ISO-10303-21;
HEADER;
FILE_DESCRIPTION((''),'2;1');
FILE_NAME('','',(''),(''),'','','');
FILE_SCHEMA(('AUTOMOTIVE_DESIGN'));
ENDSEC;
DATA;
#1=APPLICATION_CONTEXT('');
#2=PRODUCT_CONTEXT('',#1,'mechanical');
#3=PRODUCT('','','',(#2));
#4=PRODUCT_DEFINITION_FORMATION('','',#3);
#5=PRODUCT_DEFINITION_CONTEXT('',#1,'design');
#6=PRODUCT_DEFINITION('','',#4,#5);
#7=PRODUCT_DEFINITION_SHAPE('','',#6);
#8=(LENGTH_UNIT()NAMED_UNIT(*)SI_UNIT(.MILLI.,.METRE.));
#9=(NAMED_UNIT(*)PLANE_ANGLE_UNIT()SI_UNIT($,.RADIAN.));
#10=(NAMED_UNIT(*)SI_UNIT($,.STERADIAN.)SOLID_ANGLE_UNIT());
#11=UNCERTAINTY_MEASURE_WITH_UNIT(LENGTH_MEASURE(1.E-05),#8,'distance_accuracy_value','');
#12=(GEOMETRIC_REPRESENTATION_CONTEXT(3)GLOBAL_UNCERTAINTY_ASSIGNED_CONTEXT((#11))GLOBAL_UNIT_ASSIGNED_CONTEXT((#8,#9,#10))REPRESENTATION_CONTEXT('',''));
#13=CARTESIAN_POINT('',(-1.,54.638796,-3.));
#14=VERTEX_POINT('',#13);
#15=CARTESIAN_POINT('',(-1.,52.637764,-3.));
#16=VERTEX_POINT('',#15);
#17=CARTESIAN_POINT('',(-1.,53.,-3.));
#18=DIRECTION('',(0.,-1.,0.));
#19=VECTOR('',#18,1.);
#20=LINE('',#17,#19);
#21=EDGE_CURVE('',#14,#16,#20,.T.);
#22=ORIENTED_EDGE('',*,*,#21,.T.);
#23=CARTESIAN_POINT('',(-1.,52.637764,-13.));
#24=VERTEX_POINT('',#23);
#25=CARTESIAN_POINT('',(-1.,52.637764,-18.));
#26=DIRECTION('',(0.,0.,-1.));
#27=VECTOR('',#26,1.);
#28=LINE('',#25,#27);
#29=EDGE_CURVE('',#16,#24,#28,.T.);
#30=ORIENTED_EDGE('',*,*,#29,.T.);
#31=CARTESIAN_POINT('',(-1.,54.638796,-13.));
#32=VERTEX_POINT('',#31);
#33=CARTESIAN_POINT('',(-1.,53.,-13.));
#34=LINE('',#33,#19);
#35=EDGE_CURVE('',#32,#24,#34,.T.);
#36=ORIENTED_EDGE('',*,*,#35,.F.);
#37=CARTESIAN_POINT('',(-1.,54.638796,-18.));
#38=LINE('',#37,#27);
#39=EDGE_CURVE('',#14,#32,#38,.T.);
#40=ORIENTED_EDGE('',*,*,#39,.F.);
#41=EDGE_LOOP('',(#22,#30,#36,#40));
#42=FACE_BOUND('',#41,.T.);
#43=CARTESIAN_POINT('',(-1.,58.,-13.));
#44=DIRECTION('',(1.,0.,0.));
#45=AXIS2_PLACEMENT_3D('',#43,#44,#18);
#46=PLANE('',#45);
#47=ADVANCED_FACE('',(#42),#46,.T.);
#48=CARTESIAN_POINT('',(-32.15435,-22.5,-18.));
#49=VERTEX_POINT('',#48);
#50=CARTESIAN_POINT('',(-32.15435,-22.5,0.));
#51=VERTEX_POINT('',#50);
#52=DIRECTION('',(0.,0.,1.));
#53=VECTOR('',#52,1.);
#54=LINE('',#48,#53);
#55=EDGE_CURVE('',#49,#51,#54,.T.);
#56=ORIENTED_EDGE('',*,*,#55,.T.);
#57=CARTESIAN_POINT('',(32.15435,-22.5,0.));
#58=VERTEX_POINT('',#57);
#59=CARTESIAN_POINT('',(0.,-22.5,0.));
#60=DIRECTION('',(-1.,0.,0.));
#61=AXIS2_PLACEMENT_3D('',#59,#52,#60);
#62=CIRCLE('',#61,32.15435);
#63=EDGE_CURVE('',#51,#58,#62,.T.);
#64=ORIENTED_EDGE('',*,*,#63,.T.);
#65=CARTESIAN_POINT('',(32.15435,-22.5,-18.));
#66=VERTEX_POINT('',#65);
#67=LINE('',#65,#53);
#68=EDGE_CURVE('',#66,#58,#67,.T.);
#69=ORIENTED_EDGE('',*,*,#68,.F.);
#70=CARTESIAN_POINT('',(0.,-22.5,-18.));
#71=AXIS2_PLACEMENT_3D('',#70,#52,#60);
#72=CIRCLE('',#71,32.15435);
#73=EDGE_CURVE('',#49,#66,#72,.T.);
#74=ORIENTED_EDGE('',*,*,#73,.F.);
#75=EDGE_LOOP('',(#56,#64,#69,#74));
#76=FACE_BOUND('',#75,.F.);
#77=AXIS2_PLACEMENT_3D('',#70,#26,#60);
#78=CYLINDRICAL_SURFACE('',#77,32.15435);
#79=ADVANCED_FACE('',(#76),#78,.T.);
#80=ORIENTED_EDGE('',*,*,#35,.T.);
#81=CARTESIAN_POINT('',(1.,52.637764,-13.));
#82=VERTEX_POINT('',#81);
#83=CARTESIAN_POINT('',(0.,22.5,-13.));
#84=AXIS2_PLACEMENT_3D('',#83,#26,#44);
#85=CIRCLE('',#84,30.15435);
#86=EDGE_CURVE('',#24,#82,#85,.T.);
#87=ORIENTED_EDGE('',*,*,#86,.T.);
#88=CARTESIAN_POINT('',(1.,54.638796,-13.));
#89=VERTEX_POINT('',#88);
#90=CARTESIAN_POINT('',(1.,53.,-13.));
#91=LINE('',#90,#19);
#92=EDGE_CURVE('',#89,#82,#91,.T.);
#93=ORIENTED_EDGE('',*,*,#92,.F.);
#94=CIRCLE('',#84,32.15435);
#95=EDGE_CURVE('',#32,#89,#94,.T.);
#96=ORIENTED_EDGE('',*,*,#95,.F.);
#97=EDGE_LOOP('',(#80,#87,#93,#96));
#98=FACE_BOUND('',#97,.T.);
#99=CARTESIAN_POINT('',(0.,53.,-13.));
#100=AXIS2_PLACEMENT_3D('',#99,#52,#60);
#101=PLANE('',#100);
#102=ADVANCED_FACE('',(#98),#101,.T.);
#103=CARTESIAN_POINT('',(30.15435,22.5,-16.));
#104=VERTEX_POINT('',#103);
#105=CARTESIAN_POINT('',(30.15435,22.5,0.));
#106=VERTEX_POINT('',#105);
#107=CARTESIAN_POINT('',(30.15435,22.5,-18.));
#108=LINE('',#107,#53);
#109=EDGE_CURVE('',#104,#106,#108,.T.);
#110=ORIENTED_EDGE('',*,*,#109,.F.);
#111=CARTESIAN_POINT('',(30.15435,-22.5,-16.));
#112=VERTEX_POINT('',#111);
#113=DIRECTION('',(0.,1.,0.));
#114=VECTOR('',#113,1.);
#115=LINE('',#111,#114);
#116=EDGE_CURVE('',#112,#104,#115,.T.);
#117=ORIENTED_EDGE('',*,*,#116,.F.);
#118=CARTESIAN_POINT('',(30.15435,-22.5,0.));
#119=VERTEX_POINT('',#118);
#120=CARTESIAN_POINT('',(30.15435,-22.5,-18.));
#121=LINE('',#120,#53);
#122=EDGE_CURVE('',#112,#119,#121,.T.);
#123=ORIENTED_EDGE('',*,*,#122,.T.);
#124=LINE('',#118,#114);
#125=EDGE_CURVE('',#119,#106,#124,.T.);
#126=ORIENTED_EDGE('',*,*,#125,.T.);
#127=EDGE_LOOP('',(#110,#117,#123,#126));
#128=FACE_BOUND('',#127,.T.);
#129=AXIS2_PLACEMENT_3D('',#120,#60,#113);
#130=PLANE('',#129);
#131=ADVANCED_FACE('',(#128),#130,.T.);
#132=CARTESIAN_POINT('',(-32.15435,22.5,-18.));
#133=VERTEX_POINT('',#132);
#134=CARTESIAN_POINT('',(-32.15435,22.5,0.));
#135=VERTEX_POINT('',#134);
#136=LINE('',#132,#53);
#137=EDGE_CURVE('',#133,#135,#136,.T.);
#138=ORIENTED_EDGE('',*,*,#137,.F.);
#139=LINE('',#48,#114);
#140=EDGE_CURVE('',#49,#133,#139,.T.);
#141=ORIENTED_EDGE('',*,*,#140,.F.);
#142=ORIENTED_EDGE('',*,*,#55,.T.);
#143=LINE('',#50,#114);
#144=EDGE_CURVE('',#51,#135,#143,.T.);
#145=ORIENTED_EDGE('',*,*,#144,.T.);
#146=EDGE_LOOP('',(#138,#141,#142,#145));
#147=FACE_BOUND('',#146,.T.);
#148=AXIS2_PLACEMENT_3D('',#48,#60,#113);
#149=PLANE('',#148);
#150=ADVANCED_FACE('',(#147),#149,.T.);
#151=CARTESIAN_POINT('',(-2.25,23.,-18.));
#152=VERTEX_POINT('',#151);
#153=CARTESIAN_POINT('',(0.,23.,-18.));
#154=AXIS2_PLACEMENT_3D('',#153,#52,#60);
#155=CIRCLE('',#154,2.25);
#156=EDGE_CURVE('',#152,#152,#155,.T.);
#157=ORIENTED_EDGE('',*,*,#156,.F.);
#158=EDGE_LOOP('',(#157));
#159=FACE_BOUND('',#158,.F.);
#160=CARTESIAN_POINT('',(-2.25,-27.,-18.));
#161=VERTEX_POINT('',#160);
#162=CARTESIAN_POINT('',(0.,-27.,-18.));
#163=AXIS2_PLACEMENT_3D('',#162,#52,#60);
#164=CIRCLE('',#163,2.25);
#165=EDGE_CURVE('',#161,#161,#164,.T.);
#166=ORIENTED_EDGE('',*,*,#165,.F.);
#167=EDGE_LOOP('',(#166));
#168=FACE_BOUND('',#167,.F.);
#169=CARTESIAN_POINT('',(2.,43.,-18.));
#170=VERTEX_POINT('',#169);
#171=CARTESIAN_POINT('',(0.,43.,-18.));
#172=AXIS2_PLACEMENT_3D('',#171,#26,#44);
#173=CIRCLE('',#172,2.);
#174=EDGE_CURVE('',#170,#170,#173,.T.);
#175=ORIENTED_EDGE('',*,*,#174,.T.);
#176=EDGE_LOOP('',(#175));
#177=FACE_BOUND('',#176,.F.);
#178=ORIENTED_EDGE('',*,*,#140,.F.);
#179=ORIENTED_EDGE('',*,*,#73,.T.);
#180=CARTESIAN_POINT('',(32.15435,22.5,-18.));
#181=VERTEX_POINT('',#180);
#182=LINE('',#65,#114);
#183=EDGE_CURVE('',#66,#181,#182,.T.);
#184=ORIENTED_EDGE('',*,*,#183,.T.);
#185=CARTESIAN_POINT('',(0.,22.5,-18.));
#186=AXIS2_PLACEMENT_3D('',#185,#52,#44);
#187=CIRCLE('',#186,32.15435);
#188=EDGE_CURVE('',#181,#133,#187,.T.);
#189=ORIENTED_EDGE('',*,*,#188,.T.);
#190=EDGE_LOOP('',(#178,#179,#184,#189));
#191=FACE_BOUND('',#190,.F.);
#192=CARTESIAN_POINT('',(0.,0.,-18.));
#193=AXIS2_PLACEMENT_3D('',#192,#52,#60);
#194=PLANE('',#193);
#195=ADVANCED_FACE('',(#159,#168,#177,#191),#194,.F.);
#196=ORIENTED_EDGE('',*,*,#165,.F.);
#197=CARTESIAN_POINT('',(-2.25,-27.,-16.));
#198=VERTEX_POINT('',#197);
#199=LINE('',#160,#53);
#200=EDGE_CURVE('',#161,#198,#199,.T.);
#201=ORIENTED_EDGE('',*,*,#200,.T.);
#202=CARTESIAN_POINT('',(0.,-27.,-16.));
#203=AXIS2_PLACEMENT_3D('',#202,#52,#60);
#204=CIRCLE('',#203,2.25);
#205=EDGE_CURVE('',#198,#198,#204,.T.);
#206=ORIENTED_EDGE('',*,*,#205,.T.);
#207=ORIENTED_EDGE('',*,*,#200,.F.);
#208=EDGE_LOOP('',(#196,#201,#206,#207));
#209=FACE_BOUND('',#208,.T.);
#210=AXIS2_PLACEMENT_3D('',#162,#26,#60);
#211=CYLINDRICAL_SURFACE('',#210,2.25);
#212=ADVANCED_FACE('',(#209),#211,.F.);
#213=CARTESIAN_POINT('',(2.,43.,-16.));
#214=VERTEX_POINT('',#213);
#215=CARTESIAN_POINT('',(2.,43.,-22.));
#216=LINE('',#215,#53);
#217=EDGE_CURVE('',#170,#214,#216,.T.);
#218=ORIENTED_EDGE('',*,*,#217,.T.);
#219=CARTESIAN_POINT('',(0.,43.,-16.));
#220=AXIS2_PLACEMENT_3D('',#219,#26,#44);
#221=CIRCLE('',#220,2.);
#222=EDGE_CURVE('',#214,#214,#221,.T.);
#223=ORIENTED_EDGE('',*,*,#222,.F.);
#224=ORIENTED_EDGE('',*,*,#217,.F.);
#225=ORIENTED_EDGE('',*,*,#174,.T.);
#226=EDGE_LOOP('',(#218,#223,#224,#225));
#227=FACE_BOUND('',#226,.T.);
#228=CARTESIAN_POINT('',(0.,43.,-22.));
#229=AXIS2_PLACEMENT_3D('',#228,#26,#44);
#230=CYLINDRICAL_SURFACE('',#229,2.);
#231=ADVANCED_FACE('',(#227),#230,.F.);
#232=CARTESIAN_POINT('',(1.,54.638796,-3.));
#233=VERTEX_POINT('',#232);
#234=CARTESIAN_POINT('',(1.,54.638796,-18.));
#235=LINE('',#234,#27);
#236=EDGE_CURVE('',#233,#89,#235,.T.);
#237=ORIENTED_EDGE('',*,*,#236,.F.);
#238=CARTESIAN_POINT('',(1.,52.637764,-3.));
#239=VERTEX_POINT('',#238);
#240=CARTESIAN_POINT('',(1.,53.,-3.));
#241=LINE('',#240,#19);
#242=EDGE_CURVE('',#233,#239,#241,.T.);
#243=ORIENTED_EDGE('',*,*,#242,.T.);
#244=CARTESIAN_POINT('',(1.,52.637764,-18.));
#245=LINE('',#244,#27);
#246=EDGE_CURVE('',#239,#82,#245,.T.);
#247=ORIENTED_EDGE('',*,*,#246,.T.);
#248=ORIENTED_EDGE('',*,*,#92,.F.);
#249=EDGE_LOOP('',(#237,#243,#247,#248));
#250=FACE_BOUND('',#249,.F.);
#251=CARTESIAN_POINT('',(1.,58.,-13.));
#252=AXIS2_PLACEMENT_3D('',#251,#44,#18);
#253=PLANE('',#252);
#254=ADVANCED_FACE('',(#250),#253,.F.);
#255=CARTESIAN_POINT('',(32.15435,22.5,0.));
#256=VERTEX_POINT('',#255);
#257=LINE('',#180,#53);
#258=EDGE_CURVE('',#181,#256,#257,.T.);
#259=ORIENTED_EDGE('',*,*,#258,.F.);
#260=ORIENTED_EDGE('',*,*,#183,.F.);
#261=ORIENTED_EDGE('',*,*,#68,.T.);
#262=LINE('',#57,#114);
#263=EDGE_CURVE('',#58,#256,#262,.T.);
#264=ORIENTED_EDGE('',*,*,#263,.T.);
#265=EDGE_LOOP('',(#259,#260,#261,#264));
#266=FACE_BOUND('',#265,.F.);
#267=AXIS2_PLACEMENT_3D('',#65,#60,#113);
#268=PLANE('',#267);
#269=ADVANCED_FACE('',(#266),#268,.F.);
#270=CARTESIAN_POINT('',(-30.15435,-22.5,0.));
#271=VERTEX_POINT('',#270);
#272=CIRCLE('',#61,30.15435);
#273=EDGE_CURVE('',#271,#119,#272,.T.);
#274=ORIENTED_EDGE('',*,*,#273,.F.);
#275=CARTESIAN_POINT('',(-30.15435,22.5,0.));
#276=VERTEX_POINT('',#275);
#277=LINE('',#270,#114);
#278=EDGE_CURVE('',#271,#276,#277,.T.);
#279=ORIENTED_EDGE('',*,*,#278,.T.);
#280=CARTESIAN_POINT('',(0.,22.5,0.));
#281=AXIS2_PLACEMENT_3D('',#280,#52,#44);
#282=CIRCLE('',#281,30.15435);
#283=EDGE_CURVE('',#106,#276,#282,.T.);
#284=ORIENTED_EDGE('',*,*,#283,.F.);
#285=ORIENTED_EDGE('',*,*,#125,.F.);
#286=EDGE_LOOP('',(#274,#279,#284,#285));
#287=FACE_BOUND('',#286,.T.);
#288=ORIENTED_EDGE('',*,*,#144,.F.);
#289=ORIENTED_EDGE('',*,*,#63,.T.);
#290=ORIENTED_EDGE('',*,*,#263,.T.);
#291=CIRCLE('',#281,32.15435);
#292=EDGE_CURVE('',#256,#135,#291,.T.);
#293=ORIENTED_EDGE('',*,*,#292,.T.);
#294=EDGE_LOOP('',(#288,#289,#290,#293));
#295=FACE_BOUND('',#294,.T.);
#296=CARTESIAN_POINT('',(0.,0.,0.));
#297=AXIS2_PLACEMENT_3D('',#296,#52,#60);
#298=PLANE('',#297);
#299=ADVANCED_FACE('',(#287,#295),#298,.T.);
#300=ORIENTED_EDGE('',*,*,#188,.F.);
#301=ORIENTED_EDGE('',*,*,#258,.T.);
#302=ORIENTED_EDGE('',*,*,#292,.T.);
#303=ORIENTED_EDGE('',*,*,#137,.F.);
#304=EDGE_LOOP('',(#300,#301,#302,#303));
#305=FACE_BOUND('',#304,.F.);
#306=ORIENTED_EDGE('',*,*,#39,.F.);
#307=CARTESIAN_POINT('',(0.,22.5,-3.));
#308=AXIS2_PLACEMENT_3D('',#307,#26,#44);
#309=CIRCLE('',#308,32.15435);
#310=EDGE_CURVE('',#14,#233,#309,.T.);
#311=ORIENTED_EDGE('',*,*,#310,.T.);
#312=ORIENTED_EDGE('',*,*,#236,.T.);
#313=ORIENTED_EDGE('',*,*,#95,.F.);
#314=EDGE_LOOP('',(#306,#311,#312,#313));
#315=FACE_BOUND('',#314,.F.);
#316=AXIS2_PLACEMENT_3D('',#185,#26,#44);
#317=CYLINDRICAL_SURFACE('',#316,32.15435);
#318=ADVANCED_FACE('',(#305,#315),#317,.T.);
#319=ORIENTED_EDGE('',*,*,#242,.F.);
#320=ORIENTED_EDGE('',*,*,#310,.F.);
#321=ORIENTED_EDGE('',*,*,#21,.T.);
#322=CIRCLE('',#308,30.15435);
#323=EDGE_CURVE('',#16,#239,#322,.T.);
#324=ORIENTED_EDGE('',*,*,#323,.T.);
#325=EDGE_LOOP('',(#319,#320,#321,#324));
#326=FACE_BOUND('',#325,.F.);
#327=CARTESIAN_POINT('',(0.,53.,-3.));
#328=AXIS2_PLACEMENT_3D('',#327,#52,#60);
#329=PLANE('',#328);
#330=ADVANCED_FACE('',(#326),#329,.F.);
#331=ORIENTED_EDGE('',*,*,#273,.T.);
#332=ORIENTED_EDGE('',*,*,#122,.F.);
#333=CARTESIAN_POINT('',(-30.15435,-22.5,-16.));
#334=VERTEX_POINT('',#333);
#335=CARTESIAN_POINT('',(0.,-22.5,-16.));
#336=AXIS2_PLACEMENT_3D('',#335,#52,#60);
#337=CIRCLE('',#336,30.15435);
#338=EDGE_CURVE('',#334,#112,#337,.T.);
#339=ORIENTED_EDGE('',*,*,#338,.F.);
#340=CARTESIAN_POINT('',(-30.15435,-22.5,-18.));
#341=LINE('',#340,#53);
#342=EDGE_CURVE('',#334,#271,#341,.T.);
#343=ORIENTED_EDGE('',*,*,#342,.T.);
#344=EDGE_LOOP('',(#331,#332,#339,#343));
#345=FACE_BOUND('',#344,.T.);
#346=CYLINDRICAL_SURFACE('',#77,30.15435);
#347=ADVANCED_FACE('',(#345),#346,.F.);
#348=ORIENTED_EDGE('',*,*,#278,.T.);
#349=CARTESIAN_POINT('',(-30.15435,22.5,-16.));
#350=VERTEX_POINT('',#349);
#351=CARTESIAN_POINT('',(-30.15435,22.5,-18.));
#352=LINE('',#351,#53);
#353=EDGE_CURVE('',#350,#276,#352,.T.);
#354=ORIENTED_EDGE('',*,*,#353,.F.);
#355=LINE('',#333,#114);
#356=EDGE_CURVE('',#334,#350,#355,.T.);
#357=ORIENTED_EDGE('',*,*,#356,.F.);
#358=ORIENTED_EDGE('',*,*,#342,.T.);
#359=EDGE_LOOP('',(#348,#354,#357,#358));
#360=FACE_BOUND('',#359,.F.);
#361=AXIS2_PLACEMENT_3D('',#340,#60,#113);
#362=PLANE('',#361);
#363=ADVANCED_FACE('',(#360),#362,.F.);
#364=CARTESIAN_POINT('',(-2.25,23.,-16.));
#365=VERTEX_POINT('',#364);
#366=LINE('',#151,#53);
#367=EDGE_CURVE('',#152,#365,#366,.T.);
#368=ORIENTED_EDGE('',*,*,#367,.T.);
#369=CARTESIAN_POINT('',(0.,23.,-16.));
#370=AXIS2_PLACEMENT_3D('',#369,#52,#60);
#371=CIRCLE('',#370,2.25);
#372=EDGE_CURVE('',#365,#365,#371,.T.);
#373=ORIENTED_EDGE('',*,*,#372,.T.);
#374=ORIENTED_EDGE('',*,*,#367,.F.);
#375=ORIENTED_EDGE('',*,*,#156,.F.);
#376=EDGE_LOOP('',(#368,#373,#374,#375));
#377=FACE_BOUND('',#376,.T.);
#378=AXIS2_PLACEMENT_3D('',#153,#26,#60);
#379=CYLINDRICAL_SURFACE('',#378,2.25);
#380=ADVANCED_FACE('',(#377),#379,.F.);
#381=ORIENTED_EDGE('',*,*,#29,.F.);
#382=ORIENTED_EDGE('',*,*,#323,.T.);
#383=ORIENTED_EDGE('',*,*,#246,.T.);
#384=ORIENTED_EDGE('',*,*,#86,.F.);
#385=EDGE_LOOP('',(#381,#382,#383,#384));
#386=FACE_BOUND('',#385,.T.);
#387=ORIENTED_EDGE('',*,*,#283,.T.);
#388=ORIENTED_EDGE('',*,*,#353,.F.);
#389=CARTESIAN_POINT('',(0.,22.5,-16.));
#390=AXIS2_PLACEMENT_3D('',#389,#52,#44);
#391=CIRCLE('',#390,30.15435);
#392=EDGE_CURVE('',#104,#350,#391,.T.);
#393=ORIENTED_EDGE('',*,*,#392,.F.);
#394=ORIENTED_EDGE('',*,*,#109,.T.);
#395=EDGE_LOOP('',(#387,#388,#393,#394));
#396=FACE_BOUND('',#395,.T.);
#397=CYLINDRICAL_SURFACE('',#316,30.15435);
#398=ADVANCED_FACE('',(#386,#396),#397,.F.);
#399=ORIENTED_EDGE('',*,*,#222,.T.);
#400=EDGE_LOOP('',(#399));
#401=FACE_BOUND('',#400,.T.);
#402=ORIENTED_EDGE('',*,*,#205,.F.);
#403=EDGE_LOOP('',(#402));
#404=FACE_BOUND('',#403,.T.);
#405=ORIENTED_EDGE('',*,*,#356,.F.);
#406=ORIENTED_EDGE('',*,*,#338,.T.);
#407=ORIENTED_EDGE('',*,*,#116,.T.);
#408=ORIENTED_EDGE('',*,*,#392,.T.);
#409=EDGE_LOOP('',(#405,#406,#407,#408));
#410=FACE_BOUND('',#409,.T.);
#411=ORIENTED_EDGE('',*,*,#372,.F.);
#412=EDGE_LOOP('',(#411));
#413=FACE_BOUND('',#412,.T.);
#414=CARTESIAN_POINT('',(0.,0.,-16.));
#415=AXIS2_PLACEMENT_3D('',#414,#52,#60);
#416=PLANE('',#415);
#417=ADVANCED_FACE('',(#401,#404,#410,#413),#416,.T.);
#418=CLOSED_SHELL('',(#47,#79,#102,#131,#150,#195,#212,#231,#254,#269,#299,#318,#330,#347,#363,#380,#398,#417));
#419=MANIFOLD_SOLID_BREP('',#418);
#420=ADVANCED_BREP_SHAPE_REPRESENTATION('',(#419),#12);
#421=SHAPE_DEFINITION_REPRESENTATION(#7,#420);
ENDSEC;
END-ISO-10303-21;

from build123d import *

# Parameters (mm, degrees)
CYLINDER003_R       = 2
CYLINDER003_DEPTH   = 10
BOX_W               = 2
BOX_H               = 10
BOX_DEPTH           = 10
SKETCH003_R         = 2.25
PAD003_DEPTH        = 2
PAD002_DEPTH        = 18
CUT_PLACEMENT_ANGLE = 180


with BuildPart() as cylinder003:
    # Cylinder003 → Cylinder003 (new body)
    with BuildSketch(Plane(origin=(0, 43, -22), x_dir=(1, 0, 0), z_dir=(0, 0, 1))):
        Circle(CYLINDER003_R)
    extrude(amount=CYLINDER003_DEPTH)


with BuildPart() as cube:
    # Box → Box (new body)
    with BuildSketch(Plane(origin=(-1, -58, -13), x_dir=(1, 0, 0), z_dir=(0, 0, 1))):
        with Locations((1, 5)):
            Rectangle(BOX_W, BOX_H)
    extrude(amount=BOX_DEPTH)


with BuildPart() as body003:
    # Sketch003 → Pad003 (new body)
    with BuildSketch(Plane.XY):
        with BuildLine():
            ThreePointArc((30.15435, 22.5), (0, 52.65435), (-30.15435, 22.5))
            Line((-30.15435, 22.5), (-30.15435, -22.5))
            ThreePointArc((-30.15435, -22.5), (0, -52.65435), (30.15435, -22.5))
            Line((30.15435, 22.5), (30.15435, -22.5))
        make_face()
        with Locations((0, 27)):
            Circle(SKETCH003_R, mode=Mode.SUBTRACT)
        with Locations((0, -23)):
            Circle(SKETCH003_R, mode=Mode.SUBTRACT)
    extrude(amount=PAD003_DEPTH)


with BuildPart() as body003_1:
    # Body003 placement: moved
    add(body003.part.moved(Location((0, 0, -18))))


with BuildPart() as f_65_trafficlightcasebottom:
    # Sketch002 → Pad002 (new body)
    with BuildSketch(Plane.XY):
        with BuildLine():
            ThreePointArc((32.15435, 22.5), (0, 54.65435), (-32.15435, 22.5))
            Line((-32.15435, 22.5), (-32.15435, -22.5))
            ThreePointArc((-32.15435, -22.5), (0, -54.65435), (32.15435, -22.5))
            Line((32.15435, 22.5), (32.15435, -22.5))
        make_face()
        with BuildLine():
            ThreePointArc((30.15435, 22.5), (0, 52.65435), (-30.15435, 22.5))
            Line((-30.15435, 22.5), (-30.15435, -22.5))
            ThreePointArc((-30.15435, -22.5), (0, -52.65435), (30.15435, -22.5))
            Line((30.15435, 22.5), (30.15435, -22.5))
        make_face(mode=Mode.SUBTRACT)
    extrude(amount=PAD002_DEPTH)


with BuildPart() as f_65_trafficlightcasebottom_1:
    # Body002 placement: moved
    add(f_65_trafficlightcasebottom.part.moved(Location((0, 0, -18))))

    # Fusion001: union Body003
    add(body003_1.part)

    # Cut: cut Cube
    add(cube.part, mode=Mode.SUBTRACT)


with BuildPart() as f_65_trafficlightcasebottom_2:
    # Cut placement: moved
    add(f_65_trafficlightcasebottom_1.part.rotate(Axis((0, 0, 0), (0, 0, 1)), CUT_PLACEMENT_ANGLE))

    # Cut005: cut Cylinder003
    add(cylinder003.part, mode=Mode.SUBTRACT)


solid = f_65_trafficlightcasebottom_2.part
